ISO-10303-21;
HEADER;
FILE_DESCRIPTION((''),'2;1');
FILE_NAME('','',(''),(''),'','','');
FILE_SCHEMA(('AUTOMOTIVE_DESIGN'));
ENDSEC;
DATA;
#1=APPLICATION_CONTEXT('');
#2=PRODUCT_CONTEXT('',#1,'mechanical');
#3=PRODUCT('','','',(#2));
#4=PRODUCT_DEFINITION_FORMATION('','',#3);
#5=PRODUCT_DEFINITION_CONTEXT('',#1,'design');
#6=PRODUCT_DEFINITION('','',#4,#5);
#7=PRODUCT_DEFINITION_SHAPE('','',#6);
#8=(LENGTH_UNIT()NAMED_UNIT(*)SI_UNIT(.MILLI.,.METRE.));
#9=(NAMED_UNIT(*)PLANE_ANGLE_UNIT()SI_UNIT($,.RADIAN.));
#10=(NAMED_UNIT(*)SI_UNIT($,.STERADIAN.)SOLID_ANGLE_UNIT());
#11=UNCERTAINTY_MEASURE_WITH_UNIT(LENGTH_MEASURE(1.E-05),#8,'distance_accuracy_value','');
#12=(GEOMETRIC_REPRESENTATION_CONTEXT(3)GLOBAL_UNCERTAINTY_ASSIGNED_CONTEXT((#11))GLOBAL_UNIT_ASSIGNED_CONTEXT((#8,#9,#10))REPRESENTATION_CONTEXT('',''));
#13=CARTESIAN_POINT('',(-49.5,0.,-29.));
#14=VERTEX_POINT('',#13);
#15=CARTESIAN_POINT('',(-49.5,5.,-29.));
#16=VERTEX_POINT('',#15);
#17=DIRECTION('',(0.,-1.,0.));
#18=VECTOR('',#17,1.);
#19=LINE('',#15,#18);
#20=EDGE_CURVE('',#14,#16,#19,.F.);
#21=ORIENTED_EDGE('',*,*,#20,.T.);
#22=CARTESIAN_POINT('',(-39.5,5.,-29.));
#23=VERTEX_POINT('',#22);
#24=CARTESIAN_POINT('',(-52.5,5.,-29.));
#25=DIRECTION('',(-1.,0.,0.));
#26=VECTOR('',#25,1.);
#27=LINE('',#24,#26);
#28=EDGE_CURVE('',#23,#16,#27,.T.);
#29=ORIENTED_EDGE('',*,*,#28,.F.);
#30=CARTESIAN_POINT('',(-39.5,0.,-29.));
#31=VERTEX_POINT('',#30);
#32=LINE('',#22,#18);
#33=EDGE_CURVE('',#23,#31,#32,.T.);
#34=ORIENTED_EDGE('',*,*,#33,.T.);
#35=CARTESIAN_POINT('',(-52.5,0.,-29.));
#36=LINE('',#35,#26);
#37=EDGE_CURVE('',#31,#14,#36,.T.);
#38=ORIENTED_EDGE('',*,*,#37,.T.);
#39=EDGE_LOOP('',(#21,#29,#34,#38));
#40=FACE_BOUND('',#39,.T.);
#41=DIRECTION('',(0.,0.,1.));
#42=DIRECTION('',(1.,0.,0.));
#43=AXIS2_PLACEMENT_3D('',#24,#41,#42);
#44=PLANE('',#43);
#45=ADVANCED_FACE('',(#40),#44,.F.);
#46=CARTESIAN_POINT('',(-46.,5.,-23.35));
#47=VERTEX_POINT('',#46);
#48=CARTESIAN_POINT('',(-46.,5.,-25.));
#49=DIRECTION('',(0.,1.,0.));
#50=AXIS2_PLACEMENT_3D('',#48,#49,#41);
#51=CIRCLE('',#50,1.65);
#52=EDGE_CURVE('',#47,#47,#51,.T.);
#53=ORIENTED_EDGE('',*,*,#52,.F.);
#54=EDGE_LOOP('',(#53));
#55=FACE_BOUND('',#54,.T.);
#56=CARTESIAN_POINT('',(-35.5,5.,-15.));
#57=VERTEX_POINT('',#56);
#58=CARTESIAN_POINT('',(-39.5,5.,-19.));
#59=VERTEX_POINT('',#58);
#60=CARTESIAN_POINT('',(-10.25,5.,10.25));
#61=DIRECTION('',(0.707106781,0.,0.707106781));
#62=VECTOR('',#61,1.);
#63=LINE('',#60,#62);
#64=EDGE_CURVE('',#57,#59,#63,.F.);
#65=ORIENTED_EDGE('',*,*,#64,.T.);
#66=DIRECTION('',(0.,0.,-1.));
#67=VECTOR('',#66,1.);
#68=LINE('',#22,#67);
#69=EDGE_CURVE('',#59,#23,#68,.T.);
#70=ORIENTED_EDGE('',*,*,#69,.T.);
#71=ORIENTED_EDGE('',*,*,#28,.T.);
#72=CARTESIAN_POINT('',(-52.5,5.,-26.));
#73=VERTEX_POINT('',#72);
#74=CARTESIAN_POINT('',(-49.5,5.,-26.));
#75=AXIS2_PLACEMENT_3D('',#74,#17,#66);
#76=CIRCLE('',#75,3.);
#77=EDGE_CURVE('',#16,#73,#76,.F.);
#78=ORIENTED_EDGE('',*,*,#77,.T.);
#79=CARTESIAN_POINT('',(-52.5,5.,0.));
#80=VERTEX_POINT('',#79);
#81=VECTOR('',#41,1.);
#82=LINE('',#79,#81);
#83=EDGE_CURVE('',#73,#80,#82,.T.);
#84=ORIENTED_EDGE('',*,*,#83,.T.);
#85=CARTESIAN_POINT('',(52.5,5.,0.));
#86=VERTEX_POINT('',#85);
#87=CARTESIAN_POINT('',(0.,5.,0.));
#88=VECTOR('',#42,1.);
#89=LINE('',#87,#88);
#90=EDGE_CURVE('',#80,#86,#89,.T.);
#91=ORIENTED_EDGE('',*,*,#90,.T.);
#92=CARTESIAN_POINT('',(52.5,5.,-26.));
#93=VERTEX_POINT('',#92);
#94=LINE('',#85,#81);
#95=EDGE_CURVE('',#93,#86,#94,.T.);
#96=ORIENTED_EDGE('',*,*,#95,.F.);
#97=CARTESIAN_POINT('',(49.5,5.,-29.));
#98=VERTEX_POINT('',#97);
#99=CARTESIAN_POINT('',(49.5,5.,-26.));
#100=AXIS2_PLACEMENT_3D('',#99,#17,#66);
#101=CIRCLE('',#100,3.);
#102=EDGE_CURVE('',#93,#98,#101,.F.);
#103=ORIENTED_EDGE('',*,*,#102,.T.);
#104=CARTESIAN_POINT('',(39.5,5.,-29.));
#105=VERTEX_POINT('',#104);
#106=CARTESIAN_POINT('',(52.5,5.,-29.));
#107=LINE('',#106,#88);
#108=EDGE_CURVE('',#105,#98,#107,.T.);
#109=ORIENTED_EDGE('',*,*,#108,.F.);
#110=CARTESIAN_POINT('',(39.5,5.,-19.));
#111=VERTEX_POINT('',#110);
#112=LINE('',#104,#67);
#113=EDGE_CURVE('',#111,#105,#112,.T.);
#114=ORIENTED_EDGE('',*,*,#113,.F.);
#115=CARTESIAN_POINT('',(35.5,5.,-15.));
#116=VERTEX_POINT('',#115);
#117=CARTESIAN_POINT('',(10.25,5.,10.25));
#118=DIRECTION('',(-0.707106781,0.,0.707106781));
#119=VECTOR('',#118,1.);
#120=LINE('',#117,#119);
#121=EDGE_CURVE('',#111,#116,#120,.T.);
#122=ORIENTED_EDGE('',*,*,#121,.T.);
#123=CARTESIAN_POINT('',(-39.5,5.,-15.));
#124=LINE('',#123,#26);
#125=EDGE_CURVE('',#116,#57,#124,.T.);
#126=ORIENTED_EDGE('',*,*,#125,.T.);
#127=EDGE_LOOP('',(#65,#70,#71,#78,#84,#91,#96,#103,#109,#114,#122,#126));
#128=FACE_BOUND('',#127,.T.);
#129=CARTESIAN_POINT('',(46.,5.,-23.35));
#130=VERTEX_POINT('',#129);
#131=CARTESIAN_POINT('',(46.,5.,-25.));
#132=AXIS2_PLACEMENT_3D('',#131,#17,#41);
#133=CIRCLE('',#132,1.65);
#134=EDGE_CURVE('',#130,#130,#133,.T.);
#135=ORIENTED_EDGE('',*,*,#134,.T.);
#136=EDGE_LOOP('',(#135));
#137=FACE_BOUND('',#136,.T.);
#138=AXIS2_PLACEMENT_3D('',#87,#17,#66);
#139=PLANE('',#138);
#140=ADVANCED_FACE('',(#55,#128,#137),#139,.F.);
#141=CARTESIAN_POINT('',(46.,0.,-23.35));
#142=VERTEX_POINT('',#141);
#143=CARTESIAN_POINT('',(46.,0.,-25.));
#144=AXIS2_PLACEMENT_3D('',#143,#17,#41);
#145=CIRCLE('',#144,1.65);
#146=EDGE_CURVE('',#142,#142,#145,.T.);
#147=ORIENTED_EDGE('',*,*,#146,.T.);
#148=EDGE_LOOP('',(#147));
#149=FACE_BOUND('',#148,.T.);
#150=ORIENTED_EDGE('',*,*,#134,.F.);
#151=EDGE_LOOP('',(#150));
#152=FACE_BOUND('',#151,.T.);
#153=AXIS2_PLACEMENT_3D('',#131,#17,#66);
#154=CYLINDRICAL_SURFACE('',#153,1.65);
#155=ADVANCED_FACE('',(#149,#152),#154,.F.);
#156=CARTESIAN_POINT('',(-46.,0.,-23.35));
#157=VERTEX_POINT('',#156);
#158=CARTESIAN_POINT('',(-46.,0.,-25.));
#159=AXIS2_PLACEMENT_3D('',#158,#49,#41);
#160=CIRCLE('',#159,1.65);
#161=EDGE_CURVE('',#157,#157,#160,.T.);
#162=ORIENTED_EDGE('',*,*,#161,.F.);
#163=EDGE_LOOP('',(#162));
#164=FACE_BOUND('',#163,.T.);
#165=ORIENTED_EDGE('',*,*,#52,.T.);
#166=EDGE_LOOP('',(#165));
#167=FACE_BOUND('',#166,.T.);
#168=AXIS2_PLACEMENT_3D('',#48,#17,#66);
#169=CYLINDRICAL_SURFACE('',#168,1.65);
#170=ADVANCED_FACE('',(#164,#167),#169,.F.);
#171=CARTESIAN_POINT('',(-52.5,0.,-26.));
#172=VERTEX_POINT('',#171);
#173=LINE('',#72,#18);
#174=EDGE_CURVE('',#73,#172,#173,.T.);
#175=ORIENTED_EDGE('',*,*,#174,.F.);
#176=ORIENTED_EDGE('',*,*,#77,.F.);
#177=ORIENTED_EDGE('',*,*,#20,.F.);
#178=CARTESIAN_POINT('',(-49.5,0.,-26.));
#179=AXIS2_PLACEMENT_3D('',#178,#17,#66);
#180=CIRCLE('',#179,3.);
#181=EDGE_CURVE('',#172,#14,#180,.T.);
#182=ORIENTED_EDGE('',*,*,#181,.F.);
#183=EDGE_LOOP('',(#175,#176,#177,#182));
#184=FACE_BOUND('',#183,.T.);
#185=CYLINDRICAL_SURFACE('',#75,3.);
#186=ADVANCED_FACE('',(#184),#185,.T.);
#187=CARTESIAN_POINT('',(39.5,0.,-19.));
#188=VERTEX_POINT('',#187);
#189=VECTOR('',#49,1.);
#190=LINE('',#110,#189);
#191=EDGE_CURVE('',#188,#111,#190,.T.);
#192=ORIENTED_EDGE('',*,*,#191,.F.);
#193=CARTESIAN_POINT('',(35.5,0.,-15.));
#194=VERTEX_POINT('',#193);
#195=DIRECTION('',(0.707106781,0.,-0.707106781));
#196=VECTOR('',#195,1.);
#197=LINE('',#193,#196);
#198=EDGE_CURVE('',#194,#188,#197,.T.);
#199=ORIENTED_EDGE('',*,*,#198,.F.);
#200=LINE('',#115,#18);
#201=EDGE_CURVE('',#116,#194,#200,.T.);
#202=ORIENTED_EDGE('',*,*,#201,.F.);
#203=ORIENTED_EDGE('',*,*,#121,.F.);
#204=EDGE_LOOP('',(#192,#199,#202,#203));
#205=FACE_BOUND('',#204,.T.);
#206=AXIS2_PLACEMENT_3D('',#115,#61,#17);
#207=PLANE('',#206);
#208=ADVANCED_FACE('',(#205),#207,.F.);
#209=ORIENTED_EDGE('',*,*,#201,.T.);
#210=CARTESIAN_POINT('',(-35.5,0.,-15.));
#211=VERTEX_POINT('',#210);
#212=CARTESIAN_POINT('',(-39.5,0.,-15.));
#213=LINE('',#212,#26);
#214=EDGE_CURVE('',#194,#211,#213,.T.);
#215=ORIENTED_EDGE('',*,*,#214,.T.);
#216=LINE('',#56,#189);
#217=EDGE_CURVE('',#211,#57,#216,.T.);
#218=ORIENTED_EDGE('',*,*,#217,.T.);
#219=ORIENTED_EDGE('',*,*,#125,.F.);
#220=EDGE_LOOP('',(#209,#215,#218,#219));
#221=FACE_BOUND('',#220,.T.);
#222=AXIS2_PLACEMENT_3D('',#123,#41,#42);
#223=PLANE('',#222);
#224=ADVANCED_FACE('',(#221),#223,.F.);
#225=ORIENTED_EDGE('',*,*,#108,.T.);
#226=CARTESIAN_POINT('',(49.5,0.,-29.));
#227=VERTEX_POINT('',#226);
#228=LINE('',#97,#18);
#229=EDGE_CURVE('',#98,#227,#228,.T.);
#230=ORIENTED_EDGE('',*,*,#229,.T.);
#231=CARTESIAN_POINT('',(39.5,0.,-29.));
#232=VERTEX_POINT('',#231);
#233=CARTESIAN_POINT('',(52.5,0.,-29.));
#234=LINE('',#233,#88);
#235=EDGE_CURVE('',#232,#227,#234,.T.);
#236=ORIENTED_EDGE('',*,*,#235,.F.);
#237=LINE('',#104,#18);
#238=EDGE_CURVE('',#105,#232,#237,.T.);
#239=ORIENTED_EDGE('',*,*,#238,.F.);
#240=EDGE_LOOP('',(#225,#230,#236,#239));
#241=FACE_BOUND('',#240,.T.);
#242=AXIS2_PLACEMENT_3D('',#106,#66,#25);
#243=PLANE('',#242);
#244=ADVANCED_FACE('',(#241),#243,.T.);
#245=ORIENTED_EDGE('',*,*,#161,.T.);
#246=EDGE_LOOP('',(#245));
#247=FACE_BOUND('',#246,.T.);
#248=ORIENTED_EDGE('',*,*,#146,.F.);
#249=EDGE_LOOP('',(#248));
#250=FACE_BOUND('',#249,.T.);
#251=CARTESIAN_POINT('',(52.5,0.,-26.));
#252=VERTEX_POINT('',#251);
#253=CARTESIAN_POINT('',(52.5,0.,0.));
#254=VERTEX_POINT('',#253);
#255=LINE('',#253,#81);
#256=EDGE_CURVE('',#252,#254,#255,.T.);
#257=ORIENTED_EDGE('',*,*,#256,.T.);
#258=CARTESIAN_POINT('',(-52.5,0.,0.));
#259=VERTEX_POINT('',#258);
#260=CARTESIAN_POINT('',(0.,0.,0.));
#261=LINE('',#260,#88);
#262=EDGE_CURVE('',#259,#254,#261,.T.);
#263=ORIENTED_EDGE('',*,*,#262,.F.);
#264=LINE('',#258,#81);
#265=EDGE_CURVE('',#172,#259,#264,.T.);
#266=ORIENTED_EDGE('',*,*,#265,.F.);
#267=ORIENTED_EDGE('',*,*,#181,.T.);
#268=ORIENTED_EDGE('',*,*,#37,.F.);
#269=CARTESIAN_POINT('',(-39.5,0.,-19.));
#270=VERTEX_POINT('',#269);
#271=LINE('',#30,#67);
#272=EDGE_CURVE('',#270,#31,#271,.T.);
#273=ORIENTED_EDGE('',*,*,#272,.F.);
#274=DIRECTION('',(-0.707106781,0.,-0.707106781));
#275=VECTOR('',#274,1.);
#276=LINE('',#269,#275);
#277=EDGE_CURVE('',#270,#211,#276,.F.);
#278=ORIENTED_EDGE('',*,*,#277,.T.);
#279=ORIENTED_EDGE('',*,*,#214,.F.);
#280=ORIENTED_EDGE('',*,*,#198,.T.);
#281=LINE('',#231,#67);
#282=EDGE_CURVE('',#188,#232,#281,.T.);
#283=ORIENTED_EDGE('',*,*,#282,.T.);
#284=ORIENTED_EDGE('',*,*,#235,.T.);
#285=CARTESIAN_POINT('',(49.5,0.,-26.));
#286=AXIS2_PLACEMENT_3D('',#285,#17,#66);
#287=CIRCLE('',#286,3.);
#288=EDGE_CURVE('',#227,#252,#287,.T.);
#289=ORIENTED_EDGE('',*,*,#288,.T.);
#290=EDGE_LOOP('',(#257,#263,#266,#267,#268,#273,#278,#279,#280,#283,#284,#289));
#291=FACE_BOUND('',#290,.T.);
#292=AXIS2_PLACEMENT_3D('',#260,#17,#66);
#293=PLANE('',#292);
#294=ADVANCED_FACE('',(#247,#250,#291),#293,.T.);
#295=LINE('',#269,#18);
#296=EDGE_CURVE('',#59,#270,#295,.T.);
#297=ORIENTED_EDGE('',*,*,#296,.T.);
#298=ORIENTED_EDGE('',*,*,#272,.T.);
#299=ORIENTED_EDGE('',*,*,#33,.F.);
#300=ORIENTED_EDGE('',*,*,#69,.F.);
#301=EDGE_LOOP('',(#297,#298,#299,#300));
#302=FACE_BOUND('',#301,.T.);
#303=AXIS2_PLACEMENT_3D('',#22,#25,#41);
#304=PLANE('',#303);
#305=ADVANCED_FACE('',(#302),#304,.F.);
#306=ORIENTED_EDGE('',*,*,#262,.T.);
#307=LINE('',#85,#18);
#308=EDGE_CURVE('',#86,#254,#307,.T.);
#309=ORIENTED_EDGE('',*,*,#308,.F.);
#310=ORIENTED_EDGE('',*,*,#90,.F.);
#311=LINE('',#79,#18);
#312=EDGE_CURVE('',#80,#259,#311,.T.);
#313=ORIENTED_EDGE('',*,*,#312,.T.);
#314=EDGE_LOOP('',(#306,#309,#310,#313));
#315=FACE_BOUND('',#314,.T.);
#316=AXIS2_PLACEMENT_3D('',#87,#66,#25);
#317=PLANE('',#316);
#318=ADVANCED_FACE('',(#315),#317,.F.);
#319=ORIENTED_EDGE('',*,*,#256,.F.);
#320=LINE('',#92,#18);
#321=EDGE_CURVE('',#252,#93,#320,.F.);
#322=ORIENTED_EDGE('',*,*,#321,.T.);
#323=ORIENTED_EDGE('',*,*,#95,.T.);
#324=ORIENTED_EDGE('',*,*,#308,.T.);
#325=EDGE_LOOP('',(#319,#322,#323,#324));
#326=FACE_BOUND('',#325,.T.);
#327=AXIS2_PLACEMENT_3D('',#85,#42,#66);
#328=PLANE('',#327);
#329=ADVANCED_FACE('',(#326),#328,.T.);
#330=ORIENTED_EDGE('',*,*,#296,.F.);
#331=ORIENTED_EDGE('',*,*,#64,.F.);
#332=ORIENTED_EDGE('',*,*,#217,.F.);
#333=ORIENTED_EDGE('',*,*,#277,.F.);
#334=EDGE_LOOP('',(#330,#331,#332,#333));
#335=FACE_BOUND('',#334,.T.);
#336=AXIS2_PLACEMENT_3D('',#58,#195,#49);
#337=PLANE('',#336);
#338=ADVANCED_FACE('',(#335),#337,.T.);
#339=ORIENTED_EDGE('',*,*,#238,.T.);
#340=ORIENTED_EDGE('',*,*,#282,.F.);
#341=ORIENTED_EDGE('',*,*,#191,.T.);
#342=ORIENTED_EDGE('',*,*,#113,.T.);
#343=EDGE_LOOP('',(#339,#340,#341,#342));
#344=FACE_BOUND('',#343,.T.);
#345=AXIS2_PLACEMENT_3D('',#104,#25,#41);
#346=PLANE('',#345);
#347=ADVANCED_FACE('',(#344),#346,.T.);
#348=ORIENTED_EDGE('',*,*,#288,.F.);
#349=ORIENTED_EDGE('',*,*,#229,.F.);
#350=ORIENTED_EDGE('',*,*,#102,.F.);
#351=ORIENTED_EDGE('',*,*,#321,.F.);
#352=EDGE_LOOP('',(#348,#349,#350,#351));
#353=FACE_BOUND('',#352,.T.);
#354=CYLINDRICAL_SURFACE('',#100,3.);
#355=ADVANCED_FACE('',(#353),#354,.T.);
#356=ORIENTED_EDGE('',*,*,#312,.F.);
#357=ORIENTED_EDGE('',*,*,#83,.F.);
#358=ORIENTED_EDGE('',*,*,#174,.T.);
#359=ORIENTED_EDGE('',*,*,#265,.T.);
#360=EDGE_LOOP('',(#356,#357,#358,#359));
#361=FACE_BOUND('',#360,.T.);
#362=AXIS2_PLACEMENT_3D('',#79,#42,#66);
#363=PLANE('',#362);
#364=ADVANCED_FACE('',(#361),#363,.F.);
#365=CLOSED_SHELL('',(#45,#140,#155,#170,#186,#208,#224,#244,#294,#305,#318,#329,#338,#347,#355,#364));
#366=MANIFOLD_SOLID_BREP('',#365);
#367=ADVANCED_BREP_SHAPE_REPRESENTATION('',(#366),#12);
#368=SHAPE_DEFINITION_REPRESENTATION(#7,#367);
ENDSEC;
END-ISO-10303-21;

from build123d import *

# Parameters (mm, degrees)
SKETCH1_R           = 1.65
BOSS_EXTRUDE1_DEPTH = 5
CHAMFER1_SIZE       = 4
FILLET1_R           = 3


with BuildPart() as part:
    # Sketch1 → Boss-Extrude1 (new body)
    with BuildSketch(Plane(origin=(0, 0, 0), x_dir=(1, 0, 0), z_dir=(0, 1, 0))):
        Polygon((0, 0), (-52.5, 0), (-52.5, 29), (-39.5, 29), (-39.5, 15), (0, 15), align=None)
        with Locations(Location((-46, 25, 0), (0, 0, 270))):
            Circle(SKETCH1_R, mode=Mode.SUBTRACT)
    boss_extrude1 = extrude(amount=BOSS_EXTRUDE1_DEPTH)

    # Mirror1: Boss-Extrude1 across plane
    add(boss_extrude1.mirror(Plane(origin=(0, 0, 0), x_dir=(0, 0, 1), z_dir=(1, 0, 0))))

    # Chamfer1
    chamfer1_edges = [part.edges().sort_by_distance(p)[0] for p in [
        (-39.5, 2.5, -15),
        (39.5, 2.5, -15),
    ]]
    chamfer(chamfer1_edges, length=CHAMFER1_SIZE)

    # Fillet1
    fillet1_edges = [part.edges().sort_by_distance(p)[0] for p in [
        (-52.5, 2.5, -29),
        (52.5, 2.5, -29),
    ]]
    fillet(fillet1_edges, radius=FILLET1_R)


solid = part.part
